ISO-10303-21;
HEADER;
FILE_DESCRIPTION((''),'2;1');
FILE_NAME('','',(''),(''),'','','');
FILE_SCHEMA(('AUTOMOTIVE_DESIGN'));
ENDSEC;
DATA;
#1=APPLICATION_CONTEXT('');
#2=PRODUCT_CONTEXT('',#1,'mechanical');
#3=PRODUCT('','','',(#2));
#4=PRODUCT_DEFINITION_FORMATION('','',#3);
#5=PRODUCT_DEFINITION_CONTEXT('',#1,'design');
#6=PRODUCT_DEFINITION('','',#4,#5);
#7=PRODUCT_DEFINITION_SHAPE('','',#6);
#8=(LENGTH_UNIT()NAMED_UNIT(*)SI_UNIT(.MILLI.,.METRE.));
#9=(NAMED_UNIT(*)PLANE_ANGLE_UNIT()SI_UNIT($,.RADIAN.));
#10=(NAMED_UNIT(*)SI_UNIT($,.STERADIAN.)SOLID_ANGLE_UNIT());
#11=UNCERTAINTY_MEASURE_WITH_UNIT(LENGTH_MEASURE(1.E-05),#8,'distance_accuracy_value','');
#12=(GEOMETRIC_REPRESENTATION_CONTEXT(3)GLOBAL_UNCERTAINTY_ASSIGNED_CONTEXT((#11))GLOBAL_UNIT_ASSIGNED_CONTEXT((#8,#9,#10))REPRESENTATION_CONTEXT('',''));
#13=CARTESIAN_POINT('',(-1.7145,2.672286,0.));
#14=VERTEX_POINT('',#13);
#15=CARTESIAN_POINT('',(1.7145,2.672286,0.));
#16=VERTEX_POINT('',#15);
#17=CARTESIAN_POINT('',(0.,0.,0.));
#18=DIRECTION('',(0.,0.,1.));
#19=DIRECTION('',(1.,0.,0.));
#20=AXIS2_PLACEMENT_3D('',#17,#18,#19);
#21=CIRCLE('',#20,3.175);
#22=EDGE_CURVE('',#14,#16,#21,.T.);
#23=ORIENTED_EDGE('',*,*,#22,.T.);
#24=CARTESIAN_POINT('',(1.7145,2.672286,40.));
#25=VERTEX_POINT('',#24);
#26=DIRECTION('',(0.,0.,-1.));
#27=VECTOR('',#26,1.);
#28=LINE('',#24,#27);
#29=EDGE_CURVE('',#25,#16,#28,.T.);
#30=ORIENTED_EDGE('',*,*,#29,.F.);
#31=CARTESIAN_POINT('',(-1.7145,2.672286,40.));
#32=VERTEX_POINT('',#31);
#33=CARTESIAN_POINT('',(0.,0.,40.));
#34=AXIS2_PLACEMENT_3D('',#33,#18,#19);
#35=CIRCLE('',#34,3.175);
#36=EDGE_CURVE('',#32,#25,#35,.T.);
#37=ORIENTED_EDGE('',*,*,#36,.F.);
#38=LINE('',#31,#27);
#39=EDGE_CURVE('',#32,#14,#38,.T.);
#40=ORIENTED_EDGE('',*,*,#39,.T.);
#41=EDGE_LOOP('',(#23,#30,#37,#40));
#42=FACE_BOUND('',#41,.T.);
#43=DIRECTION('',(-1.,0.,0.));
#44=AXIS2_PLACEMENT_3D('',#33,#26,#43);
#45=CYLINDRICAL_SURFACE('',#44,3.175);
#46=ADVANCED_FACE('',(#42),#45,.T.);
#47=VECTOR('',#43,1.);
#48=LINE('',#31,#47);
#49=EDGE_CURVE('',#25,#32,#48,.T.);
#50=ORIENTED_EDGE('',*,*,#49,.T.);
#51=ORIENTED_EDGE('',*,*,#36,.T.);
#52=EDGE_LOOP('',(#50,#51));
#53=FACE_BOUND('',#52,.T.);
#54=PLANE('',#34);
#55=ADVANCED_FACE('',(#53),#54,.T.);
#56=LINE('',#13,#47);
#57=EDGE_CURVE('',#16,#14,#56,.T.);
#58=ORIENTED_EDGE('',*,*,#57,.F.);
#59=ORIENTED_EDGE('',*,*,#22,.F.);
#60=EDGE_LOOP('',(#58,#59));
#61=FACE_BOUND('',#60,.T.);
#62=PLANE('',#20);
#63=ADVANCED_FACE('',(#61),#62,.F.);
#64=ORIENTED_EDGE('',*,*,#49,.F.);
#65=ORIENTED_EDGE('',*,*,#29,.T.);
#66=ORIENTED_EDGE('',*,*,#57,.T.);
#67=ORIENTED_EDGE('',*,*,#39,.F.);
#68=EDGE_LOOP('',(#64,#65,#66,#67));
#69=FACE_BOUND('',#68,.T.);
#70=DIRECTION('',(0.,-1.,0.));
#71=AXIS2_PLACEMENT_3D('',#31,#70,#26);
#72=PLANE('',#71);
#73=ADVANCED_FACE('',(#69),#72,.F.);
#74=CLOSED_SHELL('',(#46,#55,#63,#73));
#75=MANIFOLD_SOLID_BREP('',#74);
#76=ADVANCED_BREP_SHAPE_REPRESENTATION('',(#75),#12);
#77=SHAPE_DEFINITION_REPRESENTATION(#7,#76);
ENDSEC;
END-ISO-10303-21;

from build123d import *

# Parameters (mm, degrees)
BOSS_EXTRUDE1_DEPTH = 40


with BuildPart() as part:
    # Sketch1 → Boss-Extrude1 (new body)
    with BuildSketch(Plane.XY):
        with BuildLine():
            Line((-1.7145, 2.672286427), (1.7145, 2.672286427))
            ThreePointArc((1.7145, 2.672286427), (0, -3.175), (-1.7145, 2.672286427))
        make_face()
    extrude(amount=BOSS_EXTRUDE1_DEPTH)


solid = part.part
